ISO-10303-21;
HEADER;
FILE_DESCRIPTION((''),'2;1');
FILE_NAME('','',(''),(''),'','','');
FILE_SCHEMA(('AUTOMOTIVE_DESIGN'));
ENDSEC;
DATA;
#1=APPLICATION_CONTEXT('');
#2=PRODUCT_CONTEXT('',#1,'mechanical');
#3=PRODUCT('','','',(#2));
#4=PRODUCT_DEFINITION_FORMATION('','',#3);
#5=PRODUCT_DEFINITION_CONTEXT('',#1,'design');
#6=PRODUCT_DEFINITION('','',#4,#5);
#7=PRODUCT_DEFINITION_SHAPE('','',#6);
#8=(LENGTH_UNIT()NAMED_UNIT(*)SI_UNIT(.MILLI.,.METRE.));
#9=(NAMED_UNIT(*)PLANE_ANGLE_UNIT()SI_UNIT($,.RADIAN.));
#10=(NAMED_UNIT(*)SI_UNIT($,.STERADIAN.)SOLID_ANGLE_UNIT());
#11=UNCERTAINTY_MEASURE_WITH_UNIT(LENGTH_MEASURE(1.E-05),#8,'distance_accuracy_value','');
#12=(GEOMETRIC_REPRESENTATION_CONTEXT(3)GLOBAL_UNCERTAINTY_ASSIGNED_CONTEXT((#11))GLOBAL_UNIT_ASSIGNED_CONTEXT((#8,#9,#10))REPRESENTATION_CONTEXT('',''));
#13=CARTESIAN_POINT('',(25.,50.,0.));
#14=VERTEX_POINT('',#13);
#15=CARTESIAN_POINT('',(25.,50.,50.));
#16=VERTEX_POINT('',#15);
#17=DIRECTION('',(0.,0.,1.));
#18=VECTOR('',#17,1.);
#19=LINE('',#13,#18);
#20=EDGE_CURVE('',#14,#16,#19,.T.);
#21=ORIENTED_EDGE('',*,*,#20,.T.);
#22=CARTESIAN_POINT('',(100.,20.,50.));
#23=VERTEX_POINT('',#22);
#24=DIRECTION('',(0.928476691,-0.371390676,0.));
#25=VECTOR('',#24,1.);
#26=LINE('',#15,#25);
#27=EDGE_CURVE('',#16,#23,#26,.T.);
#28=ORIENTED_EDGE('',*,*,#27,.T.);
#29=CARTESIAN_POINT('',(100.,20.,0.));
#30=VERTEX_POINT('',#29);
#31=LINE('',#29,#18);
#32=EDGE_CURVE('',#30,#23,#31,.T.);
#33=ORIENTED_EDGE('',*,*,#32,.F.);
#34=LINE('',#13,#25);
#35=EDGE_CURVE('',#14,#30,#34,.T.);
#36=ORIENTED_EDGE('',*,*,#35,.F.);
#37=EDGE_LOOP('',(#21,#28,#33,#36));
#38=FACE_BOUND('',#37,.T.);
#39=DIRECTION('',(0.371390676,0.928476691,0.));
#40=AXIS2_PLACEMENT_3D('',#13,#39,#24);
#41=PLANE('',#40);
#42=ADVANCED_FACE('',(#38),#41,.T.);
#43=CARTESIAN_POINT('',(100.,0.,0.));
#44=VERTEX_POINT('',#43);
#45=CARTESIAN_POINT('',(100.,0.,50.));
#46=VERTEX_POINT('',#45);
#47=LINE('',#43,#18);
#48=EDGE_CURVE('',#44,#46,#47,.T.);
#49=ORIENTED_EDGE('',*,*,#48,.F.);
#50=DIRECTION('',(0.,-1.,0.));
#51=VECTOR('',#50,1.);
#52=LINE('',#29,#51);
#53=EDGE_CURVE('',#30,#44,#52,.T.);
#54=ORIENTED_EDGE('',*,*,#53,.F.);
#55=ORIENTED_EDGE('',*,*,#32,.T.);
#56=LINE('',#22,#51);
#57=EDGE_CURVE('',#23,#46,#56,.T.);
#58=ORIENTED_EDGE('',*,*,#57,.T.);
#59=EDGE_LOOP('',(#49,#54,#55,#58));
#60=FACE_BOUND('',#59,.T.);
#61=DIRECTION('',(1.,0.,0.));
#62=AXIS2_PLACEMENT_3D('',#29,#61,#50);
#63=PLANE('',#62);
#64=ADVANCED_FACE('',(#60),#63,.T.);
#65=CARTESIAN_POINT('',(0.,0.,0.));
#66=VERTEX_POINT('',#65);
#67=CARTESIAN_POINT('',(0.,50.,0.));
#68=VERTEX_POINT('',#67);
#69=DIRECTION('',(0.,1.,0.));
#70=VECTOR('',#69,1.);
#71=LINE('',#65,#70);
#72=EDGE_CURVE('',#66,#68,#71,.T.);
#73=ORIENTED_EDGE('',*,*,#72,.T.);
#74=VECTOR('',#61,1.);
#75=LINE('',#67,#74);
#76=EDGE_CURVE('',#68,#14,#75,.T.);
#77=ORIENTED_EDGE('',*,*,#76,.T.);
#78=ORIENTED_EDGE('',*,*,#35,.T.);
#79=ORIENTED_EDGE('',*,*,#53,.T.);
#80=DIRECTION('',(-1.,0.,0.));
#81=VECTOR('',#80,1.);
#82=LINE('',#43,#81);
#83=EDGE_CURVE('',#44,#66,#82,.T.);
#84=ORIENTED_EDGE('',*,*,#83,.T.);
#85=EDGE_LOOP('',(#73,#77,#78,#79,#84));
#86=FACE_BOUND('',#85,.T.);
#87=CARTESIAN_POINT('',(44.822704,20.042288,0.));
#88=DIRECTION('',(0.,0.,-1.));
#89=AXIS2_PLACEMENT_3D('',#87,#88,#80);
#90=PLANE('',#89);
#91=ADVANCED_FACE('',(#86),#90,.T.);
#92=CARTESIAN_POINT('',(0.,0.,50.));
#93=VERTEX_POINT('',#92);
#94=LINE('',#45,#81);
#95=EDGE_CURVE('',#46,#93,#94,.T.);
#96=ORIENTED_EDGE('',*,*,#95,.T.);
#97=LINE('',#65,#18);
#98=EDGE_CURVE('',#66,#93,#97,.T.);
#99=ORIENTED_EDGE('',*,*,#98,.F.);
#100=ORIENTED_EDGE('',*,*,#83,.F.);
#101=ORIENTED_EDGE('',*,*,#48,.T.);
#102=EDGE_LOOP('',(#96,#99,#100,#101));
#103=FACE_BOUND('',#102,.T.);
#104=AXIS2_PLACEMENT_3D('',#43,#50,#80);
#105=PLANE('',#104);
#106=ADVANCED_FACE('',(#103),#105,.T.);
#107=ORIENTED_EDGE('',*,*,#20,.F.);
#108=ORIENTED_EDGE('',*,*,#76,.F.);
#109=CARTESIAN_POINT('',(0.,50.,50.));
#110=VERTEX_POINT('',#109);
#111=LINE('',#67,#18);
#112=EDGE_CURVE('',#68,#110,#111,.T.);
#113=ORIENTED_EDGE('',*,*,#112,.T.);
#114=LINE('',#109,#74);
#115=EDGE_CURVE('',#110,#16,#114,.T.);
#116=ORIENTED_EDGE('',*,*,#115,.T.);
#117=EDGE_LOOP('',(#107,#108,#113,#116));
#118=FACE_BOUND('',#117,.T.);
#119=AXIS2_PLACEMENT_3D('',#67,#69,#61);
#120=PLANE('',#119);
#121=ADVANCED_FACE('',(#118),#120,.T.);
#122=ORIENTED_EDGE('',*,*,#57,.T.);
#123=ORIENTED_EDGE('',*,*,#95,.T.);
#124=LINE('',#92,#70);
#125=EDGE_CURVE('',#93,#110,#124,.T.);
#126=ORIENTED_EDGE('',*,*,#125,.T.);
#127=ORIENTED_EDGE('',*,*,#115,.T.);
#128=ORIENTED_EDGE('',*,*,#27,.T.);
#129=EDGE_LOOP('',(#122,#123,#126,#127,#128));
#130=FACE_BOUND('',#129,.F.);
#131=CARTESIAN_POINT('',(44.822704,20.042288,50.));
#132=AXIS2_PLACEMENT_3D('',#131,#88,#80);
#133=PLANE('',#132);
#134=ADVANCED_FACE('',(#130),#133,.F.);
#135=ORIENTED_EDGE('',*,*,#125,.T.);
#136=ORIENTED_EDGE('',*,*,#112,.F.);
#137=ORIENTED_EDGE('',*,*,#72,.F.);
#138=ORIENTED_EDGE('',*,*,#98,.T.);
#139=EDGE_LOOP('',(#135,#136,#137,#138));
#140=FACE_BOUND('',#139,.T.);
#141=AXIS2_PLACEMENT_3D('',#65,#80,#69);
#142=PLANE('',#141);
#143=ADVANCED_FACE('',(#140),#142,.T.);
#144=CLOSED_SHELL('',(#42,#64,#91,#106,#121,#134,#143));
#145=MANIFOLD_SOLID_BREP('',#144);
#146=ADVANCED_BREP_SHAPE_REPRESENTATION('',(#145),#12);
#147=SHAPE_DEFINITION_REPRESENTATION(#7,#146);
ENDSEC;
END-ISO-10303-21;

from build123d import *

# Parameters (mm, degrees)
BOSS_EXTRUDE1_DEPTH = 50


with BuildPart() as part:
    # Sketch1 → Boss-Extrude1 (new body)
    with BuildSketch(Plane.XY):
        Polygon((0, 0), (0, 50), (25, 50), (100, 20), (100, 0), align=None)
    extrude(amount=BOSS_EXTRUDE1_DEPTH)


solid = part.part
